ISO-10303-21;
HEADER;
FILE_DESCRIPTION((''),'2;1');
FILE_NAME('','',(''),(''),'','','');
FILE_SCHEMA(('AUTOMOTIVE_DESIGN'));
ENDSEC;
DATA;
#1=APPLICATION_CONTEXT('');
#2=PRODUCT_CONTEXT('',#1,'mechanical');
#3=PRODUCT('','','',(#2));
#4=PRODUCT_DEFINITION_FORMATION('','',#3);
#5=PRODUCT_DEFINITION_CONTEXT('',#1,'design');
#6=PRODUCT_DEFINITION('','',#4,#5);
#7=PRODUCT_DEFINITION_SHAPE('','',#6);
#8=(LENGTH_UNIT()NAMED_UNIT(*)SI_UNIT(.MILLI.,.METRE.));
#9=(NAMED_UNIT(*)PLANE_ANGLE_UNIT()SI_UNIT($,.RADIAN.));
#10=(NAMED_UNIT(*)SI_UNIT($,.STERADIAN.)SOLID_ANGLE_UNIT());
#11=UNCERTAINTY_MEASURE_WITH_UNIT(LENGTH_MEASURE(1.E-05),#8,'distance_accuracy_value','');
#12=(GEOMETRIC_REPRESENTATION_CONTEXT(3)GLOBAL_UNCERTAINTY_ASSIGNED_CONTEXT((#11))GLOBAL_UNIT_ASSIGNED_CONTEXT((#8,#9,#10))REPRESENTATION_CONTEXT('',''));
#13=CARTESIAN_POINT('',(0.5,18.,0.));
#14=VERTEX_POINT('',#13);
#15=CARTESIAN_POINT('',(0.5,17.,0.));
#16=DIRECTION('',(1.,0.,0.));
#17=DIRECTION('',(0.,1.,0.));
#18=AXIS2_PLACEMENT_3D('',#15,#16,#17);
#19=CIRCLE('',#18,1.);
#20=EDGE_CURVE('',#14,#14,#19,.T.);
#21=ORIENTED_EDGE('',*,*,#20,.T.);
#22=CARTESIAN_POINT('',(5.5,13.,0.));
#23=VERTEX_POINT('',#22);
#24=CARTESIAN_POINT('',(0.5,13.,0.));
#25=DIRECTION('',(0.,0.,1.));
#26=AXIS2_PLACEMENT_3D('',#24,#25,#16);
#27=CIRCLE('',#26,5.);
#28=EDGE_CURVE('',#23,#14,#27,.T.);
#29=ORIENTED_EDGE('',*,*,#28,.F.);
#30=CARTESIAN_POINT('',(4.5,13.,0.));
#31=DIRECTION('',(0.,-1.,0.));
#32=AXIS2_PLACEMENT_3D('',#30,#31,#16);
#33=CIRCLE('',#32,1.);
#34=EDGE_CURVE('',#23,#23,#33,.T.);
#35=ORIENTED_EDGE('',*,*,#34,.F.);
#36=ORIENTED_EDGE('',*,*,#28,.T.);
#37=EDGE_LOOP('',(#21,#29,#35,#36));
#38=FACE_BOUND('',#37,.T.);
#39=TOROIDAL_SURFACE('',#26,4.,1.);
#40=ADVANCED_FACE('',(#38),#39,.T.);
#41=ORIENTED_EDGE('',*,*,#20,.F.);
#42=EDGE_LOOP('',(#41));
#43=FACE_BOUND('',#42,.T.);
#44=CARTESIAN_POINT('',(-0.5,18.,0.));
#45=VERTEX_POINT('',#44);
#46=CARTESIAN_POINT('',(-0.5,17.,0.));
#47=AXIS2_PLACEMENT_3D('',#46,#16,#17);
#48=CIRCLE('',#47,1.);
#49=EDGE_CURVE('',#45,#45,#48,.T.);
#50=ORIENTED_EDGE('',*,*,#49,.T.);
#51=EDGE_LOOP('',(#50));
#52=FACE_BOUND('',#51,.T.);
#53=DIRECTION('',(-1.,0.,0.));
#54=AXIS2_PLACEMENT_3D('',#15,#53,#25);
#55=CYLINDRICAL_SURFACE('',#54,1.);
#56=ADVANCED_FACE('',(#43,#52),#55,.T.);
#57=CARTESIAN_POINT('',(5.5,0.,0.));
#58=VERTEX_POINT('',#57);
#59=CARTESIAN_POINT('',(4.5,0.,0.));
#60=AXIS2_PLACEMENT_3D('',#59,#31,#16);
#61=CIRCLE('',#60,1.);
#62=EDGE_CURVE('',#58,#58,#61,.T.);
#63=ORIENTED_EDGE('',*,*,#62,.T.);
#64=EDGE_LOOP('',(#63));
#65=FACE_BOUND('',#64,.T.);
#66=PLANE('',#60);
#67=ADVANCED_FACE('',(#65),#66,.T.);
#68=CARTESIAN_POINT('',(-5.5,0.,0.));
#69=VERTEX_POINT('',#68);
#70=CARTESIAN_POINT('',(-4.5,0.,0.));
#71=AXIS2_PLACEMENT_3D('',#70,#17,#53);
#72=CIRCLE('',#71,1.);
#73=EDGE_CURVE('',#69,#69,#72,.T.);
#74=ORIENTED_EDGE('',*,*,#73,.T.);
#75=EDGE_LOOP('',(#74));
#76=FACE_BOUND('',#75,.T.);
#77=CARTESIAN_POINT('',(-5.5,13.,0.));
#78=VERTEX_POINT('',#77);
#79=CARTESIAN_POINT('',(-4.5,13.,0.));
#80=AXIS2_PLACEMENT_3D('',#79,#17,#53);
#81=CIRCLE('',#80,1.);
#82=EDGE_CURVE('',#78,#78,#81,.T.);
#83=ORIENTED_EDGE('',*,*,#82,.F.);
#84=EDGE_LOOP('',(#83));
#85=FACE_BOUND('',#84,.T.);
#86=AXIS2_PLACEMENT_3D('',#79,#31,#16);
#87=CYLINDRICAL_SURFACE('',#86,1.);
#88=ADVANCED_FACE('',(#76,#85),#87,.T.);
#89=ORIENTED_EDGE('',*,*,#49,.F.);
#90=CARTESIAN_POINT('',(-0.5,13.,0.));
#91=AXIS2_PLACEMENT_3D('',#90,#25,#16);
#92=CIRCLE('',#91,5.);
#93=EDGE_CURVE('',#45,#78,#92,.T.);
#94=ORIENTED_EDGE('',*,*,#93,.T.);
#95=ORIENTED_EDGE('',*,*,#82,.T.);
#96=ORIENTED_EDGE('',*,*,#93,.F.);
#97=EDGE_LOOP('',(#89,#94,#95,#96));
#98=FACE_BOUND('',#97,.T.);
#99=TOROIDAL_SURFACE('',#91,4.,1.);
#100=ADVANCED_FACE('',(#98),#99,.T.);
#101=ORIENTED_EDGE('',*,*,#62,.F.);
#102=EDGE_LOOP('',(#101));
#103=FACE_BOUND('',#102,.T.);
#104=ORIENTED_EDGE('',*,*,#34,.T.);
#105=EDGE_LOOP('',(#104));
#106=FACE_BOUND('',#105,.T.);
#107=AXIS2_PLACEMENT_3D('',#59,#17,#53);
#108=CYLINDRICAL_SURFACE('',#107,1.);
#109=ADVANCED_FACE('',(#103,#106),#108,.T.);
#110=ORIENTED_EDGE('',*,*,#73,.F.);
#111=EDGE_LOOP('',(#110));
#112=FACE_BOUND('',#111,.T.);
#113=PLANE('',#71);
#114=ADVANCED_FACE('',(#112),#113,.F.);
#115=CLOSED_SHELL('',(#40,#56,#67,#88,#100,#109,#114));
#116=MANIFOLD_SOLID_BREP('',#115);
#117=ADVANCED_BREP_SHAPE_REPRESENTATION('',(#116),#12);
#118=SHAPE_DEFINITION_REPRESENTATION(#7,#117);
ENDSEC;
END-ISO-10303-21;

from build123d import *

# Parameters (mm, degrees)
BALAYAGE1_PROFILE_R = 1


with BuildPart() as part:
    # Balayage1: sweep along a path in Esquisse1
    with BuildLine(Plane.XY) as balayage1_path:
        Line((-4.5, 0), (-4.5, 13))
        ThreePointArc((-4.5, 13), (-3.328427125, 15.828427125), (-0.5, 17))
        Line((-0.5, 17), (0.5, 17))
        ThreePointArc((0.5, 17), (3.328427125, 15.828427125), (4.5, 13))
        Line((4.5, 13), (4.5, 0))
    # Balayage1 profile (on start of the path) → Balayage1 (sweep)
    with BuildSketch(Plane(origin=(-4.5, 0, 0), x_dir=(1, 0, 0), z_dir=(0, 1, 0))):
        Circle(BALAYAGE1_PROFILE_R)
    sweep(path=balayage1_path.line)


solid = part.part
